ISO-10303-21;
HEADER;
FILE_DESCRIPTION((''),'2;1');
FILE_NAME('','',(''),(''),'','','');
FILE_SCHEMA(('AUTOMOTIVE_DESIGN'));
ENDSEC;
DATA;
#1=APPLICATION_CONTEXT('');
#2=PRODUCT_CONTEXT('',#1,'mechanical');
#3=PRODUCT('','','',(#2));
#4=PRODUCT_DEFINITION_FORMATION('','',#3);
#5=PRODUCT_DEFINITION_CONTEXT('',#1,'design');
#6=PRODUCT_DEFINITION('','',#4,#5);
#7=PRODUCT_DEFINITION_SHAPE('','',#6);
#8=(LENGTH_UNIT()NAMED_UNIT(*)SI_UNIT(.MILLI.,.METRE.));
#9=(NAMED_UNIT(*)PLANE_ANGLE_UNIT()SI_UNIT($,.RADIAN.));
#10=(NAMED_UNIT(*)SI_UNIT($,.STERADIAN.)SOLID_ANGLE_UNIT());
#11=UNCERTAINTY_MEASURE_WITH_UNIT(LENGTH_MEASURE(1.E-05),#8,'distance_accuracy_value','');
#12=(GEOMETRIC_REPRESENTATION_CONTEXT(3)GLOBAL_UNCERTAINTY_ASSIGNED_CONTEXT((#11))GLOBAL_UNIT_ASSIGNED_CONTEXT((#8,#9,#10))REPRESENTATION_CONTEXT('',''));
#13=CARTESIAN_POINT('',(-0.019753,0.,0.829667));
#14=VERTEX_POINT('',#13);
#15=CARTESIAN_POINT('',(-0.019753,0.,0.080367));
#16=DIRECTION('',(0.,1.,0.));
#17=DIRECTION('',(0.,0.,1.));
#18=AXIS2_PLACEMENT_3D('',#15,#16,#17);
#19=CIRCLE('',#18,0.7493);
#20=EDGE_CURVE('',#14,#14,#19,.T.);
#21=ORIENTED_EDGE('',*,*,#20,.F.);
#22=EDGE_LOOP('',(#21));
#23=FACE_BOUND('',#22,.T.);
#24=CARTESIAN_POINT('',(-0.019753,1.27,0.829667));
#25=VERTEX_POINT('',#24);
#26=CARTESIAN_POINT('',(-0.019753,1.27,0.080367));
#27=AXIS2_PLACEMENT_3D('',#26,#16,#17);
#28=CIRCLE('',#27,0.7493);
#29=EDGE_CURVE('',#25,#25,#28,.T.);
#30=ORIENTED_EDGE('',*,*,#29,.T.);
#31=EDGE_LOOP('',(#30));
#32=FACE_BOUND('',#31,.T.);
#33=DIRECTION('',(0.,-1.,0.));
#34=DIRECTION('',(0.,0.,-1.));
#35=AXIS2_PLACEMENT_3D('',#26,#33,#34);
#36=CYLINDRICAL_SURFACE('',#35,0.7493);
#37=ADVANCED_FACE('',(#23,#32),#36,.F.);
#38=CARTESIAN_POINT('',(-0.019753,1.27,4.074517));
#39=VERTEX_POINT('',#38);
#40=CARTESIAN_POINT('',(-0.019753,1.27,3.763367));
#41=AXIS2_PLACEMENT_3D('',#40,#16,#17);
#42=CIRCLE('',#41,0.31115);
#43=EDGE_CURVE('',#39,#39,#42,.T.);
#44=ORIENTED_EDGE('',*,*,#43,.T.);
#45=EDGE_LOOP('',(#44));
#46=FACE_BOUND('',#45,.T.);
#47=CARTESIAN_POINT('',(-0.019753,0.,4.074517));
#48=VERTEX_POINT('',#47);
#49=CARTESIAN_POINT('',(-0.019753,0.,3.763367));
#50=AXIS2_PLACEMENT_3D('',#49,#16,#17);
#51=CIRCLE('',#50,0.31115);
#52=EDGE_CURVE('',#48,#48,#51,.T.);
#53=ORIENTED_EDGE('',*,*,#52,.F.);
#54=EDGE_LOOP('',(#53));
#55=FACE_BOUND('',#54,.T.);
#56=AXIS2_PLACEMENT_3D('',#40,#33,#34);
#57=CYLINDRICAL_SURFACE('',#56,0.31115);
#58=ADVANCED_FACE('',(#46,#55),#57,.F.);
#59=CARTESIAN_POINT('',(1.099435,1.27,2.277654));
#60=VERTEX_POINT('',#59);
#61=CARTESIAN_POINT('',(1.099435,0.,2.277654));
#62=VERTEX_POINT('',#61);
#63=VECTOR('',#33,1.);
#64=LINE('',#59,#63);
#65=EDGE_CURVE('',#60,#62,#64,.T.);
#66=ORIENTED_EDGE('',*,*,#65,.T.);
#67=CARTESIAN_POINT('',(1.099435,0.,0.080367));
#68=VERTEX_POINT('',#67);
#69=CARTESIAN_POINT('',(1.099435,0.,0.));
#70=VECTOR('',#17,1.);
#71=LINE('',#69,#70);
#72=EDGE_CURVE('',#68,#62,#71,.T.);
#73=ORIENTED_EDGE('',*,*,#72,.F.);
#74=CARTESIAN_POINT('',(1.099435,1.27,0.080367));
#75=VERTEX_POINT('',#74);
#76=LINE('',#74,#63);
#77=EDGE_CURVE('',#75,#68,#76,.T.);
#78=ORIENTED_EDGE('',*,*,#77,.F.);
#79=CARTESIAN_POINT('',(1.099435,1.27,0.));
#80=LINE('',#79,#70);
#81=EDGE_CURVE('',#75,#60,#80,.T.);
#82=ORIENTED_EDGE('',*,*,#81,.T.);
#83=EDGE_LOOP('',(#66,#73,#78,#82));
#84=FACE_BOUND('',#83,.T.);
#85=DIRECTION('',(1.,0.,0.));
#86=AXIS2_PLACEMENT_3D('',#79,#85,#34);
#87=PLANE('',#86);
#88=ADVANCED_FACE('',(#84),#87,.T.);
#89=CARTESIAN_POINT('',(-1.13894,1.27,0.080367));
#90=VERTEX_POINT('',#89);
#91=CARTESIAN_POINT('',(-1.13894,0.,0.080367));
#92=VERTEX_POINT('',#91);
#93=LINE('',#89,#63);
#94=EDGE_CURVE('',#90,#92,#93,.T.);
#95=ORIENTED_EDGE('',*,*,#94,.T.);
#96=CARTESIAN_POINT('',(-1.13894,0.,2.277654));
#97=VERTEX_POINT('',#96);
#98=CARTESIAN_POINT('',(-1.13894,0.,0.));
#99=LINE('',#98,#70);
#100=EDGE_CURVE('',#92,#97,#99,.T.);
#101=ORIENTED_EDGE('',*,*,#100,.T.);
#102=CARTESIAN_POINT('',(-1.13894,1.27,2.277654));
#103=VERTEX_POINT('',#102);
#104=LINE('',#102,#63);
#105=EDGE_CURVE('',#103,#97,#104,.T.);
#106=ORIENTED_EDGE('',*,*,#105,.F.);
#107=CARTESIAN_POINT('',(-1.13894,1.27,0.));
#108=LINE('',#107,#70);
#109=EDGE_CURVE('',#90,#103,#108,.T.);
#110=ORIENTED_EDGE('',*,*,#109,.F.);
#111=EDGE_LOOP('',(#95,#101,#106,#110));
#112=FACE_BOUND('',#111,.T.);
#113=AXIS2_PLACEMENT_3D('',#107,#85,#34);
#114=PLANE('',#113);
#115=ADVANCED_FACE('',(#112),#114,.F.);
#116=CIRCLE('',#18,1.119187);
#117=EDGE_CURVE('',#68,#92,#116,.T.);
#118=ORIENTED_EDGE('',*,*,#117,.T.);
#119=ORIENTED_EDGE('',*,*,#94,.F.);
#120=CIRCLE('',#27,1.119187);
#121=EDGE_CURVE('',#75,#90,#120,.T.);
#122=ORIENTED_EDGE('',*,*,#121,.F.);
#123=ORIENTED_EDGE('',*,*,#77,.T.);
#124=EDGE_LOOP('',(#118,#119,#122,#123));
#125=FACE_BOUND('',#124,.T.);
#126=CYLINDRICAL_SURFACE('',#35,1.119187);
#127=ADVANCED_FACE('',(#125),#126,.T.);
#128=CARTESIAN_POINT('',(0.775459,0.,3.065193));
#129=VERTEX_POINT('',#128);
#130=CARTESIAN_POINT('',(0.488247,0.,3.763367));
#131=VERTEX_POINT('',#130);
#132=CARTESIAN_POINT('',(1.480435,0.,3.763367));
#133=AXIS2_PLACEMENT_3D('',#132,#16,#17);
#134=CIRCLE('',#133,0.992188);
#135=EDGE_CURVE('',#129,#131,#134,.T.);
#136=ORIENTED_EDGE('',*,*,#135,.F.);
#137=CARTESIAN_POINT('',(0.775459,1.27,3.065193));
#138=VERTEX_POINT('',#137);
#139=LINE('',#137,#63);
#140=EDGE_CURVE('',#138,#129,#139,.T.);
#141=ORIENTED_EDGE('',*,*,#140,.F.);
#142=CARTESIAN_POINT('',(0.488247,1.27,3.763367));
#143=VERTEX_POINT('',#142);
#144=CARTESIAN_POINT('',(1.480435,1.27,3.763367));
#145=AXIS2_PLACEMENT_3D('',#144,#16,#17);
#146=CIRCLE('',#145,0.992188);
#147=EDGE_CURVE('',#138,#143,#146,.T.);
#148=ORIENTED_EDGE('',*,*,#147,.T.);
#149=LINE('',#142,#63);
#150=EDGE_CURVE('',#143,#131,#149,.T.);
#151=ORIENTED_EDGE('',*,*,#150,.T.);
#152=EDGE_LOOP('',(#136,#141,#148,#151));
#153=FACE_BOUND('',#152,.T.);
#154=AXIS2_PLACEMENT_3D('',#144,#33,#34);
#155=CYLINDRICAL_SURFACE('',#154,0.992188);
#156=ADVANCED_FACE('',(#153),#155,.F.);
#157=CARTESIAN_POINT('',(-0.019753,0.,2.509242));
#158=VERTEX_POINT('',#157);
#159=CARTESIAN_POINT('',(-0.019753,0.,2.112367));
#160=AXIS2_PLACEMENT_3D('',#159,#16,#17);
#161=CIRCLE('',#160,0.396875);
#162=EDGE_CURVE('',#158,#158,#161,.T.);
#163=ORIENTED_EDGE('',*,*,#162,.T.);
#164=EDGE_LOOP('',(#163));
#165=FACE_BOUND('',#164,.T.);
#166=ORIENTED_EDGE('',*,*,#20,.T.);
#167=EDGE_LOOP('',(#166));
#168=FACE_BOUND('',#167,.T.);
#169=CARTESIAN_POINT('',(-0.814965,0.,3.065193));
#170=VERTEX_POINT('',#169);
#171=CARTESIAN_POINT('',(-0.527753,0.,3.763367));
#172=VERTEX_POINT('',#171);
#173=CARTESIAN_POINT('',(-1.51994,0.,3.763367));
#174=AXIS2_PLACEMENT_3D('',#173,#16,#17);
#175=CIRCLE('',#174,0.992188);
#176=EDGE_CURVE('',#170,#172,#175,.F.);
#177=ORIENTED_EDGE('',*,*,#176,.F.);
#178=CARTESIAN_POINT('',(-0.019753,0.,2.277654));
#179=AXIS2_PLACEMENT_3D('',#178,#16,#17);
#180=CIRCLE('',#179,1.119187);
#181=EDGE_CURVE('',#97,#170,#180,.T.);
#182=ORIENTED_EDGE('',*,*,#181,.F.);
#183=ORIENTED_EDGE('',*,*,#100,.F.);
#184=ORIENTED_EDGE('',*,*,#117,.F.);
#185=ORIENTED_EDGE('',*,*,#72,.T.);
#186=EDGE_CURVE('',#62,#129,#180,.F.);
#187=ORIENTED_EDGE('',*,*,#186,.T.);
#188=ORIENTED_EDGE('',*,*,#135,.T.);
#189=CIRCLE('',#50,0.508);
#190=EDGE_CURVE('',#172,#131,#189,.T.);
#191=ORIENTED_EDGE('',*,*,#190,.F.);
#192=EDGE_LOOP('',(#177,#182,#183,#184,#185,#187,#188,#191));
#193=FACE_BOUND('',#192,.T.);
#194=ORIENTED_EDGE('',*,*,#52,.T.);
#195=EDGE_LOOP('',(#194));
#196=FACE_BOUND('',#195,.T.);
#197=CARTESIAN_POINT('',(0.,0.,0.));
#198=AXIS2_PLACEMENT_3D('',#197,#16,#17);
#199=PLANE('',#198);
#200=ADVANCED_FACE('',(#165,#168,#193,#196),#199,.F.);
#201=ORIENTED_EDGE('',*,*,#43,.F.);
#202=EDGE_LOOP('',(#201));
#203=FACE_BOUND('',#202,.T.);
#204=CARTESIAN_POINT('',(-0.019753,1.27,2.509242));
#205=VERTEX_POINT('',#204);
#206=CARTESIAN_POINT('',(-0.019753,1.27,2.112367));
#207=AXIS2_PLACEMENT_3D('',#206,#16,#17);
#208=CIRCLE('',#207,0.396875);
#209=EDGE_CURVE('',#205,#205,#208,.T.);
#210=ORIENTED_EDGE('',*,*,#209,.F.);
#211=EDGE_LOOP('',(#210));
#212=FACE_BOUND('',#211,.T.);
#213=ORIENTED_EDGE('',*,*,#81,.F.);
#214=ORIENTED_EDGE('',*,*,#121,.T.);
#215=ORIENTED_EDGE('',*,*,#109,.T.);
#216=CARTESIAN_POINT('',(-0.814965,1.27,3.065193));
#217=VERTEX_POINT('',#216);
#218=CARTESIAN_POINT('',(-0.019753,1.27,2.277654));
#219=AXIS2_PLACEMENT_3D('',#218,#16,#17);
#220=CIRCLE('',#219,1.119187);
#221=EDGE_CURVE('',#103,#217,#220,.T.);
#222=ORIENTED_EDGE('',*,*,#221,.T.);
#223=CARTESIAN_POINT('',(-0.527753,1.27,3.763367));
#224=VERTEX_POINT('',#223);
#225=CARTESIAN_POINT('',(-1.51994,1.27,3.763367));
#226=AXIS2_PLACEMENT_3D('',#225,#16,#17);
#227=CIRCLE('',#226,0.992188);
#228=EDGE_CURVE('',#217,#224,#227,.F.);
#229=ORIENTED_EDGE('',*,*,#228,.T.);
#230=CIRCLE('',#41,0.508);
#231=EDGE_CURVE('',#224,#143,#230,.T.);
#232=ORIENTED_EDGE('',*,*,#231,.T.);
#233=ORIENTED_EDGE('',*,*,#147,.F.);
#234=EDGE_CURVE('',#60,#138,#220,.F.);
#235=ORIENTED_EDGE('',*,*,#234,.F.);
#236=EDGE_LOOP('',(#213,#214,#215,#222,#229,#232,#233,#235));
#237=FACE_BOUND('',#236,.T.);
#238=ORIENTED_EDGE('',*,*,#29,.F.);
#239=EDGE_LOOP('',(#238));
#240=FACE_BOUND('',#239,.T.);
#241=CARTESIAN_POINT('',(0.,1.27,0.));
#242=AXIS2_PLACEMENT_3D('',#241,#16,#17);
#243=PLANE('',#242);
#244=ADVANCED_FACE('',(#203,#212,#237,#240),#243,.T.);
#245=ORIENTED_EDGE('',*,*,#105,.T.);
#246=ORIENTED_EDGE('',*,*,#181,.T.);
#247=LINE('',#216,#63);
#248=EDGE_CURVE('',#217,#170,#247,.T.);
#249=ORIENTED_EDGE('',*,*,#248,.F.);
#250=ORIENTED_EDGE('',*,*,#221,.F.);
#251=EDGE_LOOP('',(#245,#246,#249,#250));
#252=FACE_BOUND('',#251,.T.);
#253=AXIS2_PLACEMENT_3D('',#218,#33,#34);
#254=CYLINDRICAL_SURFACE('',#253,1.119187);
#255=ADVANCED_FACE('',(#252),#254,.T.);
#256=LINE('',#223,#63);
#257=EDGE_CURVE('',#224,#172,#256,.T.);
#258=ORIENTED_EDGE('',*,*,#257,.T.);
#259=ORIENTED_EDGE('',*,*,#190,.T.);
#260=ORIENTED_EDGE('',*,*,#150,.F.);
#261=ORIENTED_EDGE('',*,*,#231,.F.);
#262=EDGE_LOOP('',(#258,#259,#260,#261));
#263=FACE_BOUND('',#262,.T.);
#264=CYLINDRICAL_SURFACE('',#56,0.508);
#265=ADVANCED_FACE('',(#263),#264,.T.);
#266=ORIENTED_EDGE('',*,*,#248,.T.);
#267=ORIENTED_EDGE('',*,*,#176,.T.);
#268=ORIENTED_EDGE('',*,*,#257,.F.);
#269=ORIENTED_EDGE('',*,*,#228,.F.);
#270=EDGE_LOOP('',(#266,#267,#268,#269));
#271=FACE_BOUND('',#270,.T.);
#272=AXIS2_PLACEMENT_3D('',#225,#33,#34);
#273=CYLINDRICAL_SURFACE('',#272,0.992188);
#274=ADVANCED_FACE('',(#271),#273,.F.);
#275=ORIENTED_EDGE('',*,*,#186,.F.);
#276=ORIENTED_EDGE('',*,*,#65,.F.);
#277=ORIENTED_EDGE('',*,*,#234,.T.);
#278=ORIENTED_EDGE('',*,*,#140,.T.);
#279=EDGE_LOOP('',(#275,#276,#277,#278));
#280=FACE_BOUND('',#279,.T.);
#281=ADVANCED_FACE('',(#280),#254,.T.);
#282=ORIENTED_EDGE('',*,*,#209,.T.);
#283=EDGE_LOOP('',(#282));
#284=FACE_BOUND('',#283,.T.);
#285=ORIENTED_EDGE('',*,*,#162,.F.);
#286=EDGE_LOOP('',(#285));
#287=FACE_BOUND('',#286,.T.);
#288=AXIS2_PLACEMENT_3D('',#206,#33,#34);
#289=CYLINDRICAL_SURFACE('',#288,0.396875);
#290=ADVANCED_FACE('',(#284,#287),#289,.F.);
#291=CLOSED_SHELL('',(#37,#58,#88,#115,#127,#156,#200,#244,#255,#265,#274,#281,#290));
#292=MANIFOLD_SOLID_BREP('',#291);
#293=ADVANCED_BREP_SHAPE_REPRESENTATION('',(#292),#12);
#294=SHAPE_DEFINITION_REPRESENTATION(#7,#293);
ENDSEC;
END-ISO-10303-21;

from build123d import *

# Parameters (mm, degrees)
SKETCH1_R           = 0.396875
SKETCH1_R_2         = 0.7493
SKETCH1_R_3         = 0.508
SKETCH1_R_4         = 0.31115
BOSS_EXTRUDE1_DEPTH = 1.27


with BuildPart() as part:
    # Sketch1 → Boss-Extrude1 (new body)
    # profile 1 of 2: a face of its own
    with BuildSketch(Plane(origin=(0, 0, 0), x_dir=(1, 0, 0), z_dir=(0, 1, 0))):
        with BuildLine():
            ThreePointArc((1.099434588, -0.080366688), (-0.019752912, 1.038820812), (-1.138940412, -0.080366688))
            Line((-1.138940412, -0.080366688), (-1.138940412, -2.277654113))
            ThreePointArc((-1.138940412, -2.277654113), (-1.054782424, -2.703441113), (-0.814965083, -3.065193486))
            ThreePointArc((-0.814965083, -3.065193486), (-0.602361057, -3.385895944), (-0.527752912, -3.763366688))
            ThreePointArc((-0.527752912, -3.763366688), (-0.019752912, -3.255366688), (0.488247088, -3.763366688))
            ThreePointArc((0.488247088, -3.763366688), (0.562855233, -3.385895944), (0.775459259, -3.065193486))
            ThreePointArc((0.775459259, -3.065193486), (1.0152766, -2.703441113), (1.099434588, -2.277654113))
            Line((1.099434588, -2.277654113), (1.099434588, -0.080366688))
        make_face()
        with Locations(Location((-0.019752912, -2.112366688, 0), (0, 0, 270))):
            Circle(SKETCH1_R, mode=Mode.SUBTRACT)
        with Locations(Location((-0.019752912, -0.080366688, 0), (0, 0, 270))):
            Circle(SKETCH1_R_2, mode=Mode.SUBTRACT)
    # profile 2 of 2: a face of its own
    with BuildSketch(Plane(origin=(0, 0, 0), x_dir=(1, 0, 0), z_dir=(0, 1, 0))):
        with Locations((-0.019752912, -3.763366688)):
            Circle(SKETCH1_R_3)
        with Locations(Location((-0.019752912, -3.763366688, 0), (0, 0, 270))):
            Circle(SKETCH1_R_4, mode=Mode.SUBTRACT)
    extrude(amount=BOSS_EXTRUDE1_DEPTH)


solid = part.part
